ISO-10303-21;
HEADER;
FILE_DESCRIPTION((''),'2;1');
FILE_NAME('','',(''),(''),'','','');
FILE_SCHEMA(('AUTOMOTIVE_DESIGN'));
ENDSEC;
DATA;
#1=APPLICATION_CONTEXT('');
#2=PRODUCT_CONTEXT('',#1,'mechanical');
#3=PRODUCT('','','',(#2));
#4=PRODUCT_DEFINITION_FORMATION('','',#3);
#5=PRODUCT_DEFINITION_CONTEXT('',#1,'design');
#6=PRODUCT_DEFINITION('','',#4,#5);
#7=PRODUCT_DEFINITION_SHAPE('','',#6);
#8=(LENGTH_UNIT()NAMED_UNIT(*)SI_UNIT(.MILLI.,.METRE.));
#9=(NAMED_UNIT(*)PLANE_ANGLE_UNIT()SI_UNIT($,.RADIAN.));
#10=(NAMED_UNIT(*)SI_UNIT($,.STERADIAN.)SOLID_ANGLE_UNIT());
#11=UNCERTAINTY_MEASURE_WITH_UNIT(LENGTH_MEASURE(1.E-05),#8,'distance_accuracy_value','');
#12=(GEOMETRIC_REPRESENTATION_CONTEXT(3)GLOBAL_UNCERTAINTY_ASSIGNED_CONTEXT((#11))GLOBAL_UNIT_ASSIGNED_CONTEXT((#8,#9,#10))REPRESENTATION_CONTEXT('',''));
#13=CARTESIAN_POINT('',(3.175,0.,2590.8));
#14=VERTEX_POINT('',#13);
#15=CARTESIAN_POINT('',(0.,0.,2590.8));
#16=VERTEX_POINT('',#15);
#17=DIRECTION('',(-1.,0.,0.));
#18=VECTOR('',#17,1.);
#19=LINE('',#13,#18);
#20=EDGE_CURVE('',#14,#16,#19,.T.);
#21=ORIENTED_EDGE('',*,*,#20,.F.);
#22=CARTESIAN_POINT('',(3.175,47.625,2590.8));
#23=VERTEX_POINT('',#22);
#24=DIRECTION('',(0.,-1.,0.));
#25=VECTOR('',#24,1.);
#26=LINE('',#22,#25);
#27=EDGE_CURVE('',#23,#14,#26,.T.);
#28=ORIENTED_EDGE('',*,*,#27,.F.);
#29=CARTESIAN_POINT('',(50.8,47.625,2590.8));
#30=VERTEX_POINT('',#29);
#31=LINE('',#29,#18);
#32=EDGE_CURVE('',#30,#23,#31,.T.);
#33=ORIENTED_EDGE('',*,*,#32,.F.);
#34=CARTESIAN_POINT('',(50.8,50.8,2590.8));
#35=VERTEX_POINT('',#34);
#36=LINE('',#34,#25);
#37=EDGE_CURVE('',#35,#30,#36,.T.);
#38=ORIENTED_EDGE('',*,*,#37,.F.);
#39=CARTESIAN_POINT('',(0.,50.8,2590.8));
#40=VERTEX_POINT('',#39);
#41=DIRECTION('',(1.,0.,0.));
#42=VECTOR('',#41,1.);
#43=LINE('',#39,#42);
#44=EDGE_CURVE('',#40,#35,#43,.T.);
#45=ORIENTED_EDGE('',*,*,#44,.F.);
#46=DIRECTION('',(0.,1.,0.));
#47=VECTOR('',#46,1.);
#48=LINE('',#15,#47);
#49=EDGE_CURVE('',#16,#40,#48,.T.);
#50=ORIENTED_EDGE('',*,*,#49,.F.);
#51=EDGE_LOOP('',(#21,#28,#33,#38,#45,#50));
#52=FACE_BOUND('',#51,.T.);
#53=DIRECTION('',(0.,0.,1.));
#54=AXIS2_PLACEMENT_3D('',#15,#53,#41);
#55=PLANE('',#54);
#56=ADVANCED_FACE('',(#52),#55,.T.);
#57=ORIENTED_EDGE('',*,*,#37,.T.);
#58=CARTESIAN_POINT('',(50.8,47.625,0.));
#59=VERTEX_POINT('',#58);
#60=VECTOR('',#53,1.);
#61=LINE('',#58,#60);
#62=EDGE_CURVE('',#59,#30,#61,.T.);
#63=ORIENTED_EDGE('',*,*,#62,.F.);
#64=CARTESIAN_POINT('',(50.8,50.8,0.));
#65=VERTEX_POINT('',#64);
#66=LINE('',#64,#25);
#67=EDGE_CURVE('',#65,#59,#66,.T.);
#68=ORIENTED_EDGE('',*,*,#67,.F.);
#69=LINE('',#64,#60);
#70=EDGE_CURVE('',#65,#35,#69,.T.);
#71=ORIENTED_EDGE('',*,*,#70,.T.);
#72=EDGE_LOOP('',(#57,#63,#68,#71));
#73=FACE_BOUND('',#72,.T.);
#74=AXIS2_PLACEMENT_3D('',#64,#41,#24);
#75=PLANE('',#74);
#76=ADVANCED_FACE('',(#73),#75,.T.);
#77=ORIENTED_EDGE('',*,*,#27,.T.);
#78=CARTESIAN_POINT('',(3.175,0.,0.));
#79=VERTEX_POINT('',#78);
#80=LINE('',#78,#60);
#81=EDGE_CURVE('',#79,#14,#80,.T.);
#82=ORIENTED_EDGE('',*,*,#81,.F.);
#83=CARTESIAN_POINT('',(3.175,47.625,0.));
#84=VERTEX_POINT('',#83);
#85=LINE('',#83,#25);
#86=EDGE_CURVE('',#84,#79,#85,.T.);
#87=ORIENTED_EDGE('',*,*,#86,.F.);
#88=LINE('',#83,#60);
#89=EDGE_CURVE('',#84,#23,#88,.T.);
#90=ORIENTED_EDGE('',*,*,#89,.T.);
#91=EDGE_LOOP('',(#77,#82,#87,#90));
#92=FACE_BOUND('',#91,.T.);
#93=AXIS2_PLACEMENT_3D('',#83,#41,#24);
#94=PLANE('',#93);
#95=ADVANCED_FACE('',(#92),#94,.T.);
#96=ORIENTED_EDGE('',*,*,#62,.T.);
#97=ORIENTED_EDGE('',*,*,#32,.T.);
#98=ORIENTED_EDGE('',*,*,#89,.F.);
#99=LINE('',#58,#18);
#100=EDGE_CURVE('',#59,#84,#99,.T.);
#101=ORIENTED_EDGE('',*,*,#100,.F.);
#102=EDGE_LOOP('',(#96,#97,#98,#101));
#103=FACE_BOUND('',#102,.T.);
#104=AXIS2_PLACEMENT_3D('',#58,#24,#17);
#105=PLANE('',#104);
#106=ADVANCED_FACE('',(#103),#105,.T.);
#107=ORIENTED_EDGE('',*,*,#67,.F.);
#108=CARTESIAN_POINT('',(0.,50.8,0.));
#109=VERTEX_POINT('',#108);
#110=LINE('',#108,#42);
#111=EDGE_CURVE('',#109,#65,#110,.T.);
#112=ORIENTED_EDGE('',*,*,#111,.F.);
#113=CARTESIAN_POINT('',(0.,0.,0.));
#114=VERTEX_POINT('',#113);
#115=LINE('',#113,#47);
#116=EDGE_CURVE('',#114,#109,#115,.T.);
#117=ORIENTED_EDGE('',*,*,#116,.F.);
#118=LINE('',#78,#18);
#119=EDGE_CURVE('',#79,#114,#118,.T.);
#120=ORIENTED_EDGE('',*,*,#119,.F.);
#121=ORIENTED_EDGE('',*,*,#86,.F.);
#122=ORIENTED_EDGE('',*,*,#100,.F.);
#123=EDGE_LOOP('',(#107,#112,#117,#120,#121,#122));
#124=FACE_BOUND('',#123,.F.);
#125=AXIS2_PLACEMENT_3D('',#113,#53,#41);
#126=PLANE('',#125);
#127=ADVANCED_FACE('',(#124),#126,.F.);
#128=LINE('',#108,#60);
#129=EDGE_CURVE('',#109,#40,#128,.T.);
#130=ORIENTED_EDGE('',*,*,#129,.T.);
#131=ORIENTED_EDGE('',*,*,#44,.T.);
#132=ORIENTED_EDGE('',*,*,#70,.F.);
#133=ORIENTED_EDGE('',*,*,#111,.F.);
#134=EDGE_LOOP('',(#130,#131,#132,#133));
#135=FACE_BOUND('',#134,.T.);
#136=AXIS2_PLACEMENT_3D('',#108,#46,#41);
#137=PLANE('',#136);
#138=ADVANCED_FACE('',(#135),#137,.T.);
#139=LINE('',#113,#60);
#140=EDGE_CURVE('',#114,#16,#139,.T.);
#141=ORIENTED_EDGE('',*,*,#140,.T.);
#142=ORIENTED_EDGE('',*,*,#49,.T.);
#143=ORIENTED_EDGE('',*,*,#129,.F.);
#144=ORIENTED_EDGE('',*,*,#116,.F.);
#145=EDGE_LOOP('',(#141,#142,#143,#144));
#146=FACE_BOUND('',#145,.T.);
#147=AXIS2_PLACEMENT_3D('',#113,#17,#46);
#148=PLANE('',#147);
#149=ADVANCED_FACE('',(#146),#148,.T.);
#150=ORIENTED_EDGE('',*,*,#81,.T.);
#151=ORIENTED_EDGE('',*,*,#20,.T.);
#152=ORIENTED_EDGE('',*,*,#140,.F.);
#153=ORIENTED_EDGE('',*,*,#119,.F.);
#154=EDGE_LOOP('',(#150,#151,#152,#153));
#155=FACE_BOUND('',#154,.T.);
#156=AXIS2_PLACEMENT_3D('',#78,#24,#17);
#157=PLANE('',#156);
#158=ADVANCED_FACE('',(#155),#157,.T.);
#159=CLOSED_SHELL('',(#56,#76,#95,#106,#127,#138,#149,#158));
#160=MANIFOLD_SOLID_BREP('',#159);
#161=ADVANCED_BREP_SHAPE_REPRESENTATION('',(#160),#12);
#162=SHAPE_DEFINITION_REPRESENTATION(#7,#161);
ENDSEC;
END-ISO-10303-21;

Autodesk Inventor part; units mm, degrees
ref_plane "YZ Plane" through (0, 0, 0) normal (1, 0, 0) x (0, 1, 0)
ref_plane "XZ Plane" through (0, 0, 0) normal (0, 1, 0) x (-1, 0, 0)
ref_plane "XY Plane" through (0, 0, 0) normal (0, 0, 1) x (1, 0, 0)
sketch "Sketch1" plane through (0, 0, 0) normal (0, 0, 1) x (1, 0, 0)
  line L0 (0, 0) -> (0, 50.8)
  line L1 (0, 50.8) -> (50.8, 50.8)
  line L2 (50.8, 50.8) -> (50.8, 47.625)
  line L3 (50.8, 47.625) -> (3.175, 47.625)
  line L4 (3.175, 47.625) -> (3.175, 0)
  line L5 (3.175, 0) -> (0, 0)
  dimension "d0" = 50.8
  dimension "d1" = 50.8
  dimension "d2" = 3.175
  dimension "d3" = 47.625
extrude "Extrusion1" add sketch "Sketch1" along normal blind 2590.8
properties part number "LongL102"
